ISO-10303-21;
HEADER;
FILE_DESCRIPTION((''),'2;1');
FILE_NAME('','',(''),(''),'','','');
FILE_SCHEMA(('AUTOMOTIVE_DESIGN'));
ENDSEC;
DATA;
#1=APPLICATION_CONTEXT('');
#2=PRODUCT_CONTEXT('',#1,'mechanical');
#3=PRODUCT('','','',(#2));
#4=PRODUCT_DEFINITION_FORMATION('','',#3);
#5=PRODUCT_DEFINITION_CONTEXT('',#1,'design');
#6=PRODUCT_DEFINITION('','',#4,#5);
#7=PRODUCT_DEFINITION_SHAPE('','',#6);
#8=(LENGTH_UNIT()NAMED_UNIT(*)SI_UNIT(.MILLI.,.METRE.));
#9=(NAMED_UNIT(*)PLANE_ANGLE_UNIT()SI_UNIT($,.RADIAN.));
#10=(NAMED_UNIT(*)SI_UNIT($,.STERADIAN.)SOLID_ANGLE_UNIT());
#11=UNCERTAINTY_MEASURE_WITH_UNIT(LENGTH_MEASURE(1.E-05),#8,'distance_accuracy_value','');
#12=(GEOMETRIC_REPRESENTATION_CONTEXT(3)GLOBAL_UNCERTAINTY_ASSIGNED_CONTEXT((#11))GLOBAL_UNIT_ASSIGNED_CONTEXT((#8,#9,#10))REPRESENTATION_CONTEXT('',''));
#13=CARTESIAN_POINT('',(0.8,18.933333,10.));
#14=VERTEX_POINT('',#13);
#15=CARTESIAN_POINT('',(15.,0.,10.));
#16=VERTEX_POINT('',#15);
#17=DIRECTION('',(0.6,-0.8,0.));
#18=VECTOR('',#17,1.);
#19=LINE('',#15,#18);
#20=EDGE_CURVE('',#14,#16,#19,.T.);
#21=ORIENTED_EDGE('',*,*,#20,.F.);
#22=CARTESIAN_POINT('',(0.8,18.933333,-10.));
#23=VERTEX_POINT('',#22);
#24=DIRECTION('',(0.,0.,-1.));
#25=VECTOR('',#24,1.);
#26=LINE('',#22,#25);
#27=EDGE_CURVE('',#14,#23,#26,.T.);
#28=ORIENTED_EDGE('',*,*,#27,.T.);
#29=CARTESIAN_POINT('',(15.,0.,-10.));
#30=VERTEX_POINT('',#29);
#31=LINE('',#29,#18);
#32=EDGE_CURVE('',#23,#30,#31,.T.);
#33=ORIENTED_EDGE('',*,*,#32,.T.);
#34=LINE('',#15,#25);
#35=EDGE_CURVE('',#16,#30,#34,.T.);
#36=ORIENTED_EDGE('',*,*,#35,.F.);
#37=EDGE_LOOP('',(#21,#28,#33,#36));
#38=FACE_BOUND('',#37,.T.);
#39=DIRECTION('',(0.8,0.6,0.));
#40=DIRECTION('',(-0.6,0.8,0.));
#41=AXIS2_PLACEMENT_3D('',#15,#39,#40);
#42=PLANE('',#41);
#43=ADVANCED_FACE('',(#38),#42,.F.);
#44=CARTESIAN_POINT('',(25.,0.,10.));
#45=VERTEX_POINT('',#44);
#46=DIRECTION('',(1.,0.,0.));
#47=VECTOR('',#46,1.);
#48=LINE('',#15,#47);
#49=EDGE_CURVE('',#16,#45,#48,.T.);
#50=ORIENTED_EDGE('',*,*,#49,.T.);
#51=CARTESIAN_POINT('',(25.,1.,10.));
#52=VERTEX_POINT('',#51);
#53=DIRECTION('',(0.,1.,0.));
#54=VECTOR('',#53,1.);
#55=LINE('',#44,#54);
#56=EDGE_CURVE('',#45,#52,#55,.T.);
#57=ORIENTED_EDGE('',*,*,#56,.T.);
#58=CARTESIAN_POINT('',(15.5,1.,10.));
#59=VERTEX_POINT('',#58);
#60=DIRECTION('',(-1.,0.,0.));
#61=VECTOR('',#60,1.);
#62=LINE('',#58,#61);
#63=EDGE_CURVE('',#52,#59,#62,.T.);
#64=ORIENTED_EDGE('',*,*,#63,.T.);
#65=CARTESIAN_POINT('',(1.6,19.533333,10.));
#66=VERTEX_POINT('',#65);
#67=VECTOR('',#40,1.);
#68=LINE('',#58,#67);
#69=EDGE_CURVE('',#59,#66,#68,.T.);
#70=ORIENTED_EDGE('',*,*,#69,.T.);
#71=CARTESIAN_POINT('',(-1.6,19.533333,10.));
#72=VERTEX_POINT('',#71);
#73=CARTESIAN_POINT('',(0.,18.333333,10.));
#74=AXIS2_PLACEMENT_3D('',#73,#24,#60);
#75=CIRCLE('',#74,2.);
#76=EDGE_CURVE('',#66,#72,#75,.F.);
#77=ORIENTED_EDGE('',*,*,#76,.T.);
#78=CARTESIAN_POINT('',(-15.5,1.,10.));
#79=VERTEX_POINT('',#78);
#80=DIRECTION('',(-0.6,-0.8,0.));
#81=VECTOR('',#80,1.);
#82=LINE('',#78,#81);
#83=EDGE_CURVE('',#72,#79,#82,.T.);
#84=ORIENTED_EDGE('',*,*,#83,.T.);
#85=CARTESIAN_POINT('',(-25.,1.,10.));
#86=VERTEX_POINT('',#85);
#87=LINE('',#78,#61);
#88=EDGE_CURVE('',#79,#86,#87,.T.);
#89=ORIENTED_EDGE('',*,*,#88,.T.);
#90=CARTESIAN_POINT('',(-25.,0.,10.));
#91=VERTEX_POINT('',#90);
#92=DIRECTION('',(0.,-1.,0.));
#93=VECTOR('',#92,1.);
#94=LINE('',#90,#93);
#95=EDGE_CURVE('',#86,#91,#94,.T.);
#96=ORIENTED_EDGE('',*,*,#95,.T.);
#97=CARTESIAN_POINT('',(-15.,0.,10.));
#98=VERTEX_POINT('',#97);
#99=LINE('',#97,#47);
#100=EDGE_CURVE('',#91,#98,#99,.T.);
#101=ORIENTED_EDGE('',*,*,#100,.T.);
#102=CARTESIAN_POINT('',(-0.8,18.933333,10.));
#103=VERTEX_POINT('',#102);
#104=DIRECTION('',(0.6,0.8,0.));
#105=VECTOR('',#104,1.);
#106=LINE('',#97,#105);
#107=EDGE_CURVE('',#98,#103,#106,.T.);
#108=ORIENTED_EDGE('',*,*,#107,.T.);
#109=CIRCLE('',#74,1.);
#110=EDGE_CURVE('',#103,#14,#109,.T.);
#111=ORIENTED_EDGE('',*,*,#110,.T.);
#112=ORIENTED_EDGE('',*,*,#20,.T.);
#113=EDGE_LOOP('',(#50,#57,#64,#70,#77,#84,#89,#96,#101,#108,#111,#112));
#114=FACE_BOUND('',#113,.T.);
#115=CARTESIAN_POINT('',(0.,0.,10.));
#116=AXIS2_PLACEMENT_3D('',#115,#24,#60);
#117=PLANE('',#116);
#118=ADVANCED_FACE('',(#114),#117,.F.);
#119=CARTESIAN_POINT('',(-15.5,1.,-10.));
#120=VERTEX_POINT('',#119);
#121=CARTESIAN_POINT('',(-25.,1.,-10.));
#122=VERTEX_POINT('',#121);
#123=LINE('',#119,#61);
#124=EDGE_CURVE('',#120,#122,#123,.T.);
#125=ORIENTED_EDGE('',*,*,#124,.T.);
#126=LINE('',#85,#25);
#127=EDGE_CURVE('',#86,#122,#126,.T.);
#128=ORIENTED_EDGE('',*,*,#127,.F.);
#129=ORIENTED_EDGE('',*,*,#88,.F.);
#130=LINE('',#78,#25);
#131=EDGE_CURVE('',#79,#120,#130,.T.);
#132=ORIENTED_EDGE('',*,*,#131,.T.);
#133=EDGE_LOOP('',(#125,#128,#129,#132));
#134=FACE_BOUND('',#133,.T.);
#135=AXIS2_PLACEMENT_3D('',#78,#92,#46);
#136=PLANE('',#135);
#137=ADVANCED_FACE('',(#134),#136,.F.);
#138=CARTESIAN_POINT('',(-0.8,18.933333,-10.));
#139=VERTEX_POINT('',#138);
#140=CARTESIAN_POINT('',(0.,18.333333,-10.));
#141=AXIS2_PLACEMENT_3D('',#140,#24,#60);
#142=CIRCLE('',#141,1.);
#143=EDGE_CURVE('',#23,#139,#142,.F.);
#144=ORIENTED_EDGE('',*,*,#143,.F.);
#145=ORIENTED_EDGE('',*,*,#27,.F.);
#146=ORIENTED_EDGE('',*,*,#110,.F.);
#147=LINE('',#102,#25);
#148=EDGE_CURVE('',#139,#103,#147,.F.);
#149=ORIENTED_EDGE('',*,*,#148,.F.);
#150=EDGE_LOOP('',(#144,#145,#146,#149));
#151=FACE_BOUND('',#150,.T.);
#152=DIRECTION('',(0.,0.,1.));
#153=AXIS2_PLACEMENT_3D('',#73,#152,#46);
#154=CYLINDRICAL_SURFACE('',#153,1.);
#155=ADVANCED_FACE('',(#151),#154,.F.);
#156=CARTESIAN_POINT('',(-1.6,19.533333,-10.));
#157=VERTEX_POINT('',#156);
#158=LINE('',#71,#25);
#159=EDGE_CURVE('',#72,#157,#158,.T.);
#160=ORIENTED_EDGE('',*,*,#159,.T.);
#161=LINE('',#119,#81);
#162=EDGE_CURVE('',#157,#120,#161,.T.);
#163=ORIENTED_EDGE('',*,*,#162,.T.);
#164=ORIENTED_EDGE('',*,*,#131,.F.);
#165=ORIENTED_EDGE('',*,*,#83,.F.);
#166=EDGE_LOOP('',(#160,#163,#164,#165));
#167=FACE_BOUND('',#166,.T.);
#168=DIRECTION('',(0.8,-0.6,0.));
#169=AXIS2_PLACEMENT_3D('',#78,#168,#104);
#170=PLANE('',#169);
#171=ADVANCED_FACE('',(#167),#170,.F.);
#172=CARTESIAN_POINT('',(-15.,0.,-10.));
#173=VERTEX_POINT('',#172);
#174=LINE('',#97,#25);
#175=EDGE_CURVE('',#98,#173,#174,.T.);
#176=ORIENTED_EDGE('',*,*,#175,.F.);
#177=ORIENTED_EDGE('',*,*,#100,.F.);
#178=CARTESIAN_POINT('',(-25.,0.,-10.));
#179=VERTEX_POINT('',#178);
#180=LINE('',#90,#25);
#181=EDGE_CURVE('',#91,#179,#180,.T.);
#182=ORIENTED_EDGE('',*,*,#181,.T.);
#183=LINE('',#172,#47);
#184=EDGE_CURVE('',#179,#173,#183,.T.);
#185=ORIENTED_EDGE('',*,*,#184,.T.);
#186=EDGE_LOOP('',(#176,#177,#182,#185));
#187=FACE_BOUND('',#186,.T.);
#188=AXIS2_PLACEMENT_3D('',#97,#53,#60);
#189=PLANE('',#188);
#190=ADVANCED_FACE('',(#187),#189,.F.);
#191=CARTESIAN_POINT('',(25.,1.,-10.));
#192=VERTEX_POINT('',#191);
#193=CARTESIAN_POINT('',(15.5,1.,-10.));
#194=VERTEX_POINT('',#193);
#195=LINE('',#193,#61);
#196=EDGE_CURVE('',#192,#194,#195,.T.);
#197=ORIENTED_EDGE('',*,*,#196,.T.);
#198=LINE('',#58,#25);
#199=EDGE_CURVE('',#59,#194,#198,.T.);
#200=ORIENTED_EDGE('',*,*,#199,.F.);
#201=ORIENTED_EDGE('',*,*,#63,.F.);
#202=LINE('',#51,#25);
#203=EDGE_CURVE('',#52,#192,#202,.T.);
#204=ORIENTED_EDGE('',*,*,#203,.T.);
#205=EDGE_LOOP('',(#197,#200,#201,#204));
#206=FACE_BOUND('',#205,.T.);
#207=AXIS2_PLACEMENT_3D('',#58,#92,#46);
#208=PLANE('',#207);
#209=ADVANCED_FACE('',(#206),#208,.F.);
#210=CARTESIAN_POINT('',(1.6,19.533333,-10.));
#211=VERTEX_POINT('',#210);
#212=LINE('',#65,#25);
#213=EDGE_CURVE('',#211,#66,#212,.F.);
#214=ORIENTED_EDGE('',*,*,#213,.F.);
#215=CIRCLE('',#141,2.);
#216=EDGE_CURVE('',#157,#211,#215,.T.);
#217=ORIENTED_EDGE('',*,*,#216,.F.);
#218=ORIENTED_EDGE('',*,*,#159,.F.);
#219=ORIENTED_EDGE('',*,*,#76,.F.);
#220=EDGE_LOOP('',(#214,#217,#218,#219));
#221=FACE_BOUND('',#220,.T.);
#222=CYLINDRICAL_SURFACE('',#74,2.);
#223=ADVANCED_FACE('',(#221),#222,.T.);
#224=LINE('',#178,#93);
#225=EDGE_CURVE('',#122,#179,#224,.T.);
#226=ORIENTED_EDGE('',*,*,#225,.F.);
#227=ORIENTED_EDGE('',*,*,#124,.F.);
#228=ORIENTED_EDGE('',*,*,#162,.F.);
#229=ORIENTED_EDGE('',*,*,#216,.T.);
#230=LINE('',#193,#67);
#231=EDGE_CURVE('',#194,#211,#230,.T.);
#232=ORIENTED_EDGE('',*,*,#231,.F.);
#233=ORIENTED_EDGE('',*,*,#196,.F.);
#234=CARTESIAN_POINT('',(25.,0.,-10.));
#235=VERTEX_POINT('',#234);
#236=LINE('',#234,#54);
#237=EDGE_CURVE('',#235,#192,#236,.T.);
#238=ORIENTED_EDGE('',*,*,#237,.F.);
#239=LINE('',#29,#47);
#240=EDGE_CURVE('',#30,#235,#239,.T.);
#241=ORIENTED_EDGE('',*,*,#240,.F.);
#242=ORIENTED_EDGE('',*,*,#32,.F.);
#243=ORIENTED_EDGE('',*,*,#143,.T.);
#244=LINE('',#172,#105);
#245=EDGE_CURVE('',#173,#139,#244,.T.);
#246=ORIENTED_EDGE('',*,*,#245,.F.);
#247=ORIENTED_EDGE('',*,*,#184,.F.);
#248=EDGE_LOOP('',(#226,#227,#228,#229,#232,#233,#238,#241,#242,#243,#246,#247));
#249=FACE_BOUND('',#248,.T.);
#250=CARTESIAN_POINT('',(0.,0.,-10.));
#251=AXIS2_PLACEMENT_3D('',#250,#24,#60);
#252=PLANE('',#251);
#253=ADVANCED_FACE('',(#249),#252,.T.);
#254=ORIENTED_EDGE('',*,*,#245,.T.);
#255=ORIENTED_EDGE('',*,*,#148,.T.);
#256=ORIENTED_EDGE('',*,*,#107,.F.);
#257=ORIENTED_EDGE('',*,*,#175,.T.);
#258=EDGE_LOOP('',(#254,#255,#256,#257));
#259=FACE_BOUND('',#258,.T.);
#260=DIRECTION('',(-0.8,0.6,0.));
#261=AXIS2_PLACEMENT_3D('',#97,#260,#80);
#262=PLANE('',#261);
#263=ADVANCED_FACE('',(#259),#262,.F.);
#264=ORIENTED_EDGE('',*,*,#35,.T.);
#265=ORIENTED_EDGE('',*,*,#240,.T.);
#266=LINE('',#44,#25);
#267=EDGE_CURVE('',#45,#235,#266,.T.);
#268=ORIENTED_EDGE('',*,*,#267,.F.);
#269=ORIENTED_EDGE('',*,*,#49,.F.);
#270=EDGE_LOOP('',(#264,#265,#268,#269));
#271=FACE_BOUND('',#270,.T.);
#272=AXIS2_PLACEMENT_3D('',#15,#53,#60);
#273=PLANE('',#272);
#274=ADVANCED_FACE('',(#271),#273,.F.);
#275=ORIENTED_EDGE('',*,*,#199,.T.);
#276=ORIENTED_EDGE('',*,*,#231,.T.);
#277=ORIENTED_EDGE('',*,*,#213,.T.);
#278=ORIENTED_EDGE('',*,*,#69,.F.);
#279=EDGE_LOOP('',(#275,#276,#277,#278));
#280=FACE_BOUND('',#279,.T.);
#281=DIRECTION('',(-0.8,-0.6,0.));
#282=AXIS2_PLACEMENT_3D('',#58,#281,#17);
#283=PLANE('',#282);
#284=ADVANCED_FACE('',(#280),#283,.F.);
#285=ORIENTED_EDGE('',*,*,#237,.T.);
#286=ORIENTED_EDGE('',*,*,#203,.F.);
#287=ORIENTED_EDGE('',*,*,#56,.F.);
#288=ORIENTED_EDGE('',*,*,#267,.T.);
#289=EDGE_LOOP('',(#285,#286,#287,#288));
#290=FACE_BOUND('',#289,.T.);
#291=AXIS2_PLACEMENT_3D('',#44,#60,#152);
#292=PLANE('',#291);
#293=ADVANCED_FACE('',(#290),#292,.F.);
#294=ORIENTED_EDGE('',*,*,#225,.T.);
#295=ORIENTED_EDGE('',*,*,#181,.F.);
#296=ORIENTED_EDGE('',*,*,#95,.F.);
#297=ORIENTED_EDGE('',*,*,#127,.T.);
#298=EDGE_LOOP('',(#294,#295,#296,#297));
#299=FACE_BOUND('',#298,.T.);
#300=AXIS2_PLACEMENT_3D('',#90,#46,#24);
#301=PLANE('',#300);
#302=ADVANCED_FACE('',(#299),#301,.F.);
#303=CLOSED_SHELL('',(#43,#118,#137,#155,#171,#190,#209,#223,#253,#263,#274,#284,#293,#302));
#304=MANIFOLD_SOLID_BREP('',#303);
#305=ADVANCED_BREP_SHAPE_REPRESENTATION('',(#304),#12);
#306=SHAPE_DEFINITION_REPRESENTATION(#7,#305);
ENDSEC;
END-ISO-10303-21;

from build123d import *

# Parameters (mm, degrees)
EXTRUDE_1_DEPTH = 10
FILLET_1_R      = 1
FILLET_2_R      = 2


with BuildPart() as part:
    # 草图1 → 凸台-拉伸1 (new body, symmetric)
    with BuildSketch(Plane.XY):
        Polygon((-15, 0), (0, 20), (15, 0), (25, 0), (25, 1), (15.5, 1), (0, 21.666666667), (-15.5, 1), (-25, 1), (-25, 0), align=None)
    extrude(amount=EXTRUDE_1_DEPTH, both=True)

    # 圆角1
    fillet_1_edges = [part.edges().sort_by_distance(p)[0] for p in [
        (0, 20, 0),
    ]]
    fillet(fillet_1_edges, radius=FILLET_1_R)

    # 圆角2
    fillet_2_edges = [part.edges().sort_by_distance(p)[0] for p in [
        (0, 21.666666667, 0),
    ]]
    fillet(fillet_2_edges, radius=FILLET_2_R)


solid = part.part
